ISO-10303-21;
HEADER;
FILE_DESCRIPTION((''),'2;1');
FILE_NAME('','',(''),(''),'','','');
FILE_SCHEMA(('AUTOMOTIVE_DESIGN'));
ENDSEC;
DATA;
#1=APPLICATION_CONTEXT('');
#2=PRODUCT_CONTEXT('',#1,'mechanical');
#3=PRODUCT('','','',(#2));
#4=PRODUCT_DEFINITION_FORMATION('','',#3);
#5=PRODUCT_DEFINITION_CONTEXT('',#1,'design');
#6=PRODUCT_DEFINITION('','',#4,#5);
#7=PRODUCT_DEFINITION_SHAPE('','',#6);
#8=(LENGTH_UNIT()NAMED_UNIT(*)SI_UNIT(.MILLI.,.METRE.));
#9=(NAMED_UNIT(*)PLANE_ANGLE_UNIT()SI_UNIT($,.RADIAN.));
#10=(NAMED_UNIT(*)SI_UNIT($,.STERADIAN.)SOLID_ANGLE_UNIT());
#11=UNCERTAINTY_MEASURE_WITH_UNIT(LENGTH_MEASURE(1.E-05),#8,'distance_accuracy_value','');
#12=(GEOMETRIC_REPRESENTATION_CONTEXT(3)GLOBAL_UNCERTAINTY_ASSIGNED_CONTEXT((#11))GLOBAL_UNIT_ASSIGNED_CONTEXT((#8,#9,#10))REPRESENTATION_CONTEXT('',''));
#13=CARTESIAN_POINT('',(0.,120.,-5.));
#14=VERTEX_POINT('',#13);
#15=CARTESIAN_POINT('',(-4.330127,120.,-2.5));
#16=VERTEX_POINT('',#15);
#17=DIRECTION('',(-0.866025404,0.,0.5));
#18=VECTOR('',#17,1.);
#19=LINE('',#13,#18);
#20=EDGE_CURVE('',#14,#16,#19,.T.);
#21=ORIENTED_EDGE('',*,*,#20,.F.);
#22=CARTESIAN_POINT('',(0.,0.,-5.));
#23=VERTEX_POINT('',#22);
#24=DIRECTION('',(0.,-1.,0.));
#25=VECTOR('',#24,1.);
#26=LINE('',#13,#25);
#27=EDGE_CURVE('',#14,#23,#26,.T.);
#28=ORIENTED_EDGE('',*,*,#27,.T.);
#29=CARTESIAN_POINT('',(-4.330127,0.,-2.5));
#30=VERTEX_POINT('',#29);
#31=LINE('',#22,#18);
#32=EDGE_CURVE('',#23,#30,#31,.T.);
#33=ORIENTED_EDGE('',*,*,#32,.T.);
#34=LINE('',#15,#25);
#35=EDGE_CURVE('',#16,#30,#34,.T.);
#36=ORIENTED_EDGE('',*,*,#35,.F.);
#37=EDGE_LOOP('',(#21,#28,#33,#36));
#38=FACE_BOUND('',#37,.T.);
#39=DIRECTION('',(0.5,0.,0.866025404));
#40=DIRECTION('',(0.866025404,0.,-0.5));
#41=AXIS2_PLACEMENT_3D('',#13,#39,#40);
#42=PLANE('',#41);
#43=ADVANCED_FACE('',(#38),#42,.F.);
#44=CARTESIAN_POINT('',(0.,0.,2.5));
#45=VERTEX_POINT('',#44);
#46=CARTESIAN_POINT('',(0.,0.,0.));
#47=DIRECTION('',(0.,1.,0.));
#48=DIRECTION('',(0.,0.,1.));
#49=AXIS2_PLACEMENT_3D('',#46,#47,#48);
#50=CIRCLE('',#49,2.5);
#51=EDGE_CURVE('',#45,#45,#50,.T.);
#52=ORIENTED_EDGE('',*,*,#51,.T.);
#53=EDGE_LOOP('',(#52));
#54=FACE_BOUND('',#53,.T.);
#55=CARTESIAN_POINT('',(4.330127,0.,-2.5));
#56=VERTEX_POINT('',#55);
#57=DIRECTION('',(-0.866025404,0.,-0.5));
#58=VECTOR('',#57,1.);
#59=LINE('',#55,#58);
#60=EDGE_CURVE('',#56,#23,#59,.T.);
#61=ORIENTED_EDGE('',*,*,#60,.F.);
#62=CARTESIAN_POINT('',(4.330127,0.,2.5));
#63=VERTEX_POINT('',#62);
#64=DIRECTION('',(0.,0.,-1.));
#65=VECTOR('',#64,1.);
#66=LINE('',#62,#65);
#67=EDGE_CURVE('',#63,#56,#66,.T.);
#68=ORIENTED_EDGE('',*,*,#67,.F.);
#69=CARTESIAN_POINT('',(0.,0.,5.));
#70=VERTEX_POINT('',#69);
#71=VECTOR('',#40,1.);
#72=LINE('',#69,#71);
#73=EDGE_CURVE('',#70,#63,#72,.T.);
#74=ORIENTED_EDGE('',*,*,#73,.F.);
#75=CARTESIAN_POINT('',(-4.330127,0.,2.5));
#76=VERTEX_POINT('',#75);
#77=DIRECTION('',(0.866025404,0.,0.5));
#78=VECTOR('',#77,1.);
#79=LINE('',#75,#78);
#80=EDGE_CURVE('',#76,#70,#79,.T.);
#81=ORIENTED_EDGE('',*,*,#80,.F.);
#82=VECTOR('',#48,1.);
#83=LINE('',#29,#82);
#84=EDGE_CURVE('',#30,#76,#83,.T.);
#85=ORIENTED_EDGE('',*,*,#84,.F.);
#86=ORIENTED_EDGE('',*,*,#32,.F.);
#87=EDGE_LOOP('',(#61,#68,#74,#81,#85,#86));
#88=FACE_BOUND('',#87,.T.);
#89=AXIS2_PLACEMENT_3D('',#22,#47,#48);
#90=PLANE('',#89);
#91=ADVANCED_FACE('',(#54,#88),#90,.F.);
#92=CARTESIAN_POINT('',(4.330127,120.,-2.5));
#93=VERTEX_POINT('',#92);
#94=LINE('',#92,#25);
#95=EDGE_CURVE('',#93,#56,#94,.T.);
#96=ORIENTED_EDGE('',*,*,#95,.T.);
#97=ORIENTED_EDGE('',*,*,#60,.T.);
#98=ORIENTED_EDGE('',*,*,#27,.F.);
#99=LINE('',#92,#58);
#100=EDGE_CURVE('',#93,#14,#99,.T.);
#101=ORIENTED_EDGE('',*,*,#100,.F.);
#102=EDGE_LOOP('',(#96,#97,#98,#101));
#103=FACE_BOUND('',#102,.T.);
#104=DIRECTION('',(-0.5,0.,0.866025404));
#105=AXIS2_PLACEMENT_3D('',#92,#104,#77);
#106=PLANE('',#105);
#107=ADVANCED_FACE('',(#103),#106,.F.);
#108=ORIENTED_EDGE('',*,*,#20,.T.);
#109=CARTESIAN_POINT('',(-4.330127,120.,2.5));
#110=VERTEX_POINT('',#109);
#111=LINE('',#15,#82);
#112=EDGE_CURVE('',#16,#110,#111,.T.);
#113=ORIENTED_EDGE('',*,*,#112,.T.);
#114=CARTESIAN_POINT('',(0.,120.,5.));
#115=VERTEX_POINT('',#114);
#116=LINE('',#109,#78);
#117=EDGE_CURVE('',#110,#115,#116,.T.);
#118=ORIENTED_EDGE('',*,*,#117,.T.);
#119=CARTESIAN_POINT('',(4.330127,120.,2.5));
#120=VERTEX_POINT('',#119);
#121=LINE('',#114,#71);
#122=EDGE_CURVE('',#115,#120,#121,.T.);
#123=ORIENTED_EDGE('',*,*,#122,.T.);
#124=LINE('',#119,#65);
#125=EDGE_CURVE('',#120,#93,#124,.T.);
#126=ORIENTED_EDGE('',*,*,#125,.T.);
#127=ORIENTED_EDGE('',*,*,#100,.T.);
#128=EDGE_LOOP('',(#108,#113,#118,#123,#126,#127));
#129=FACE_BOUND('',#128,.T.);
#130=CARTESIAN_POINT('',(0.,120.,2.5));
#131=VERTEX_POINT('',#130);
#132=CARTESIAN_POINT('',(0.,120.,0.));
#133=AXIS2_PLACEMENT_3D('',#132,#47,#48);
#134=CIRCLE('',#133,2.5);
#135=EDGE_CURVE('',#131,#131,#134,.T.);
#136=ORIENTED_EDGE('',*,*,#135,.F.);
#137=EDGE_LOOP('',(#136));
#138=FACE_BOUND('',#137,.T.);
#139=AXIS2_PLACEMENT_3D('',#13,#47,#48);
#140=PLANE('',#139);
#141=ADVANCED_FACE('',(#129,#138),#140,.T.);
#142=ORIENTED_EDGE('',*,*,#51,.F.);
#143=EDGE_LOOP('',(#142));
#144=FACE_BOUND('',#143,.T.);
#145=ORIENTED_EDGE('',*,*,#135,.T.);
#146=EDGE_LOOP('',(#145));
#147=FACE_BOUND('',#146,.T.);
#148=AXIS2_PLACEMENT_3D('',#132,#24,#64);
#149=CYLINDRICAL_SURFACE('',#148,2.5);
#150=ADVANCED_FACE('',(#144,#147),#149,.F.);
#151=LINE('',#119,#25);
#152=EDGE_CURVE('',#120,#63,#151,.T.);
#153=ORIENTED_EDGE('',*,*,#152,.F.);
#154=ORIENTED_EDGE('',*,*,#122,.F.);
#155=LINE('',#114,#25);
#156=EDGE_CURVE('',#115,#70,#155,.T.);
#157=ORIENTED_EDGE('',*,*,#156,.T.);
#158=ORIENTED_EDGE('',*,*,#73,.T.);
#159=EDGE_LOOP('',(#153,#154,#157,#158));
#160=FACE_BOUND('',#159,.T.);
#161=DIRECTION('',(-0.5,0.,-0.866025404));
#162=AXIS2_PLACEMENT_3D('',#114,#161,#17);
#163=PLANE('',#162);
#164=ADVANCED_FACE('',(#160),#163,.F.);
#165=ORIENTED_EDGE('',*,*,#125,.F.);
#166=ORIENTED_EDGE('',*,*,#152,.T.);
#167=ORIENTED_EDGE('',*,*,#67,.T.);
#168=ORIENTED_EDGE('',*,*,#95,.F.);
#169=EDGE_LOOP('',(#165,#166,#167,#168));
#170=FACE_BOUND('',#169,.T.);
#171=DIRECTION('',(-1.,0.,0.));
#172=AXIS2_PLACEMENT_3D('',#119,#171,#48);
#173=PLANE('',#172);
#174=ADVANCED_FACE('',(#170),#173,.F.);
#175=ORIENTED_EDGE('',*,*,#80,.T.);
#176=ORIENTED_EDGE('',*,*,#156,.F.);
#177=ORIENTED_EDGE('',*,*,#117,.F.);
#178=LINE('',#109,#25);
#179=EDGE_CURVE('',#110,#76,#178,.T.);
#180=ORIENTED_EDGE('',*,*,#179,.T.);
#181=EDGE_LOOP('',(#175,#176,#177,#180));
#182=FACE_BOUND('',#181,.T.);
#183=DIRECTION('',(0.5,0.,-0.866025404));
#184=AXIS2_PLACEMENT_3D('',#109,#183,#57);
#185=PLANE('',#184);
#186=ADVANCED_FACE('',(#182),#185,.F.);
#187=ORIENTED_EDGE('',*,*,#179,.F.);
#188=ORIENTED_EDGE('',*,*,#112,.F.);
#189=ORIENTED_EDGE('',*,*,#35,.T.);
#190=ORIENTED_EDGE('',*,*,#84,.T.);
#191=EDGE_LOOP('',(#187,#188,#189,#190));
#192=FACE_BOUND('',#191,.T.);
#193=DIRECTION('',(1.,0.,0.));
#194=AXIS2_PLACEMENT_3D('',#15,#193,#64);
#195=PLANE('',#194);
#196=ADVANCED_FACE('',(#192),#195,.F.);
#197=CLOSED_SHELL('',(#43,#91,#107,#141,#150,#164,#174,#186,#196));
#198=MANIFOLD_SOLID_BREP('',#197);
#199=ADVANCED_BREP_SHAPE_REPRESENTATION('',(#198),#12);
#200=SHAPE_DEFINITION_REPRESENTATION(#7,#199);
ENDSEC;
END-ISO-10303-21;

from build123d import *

# Parameters (mm, degrees)
ESQUISSE1_R      = 2.5
EXTRUSION1_DEPTH = 120


with BuildPart() as part:
    # Esquisse1 → Extrusion1 (new body)
    with BuildSketch(Plane(origin=(0, 0, 0), x_dir=(1, 0, 0), z_dir=(0, 1, 0))):
        Polygon((0, 5), (-4.330127019, 2.5), (-4.330127019, -2.5), (0, -5), (4.330127019, -2.5), (4.330127019, 2.5), align=None)
        Circle(ESQUISSE1_R, mode=Mode.SUBTRACT)
    extrude(amount=EXTRUSION1_DEPTH)


solid = part.part
